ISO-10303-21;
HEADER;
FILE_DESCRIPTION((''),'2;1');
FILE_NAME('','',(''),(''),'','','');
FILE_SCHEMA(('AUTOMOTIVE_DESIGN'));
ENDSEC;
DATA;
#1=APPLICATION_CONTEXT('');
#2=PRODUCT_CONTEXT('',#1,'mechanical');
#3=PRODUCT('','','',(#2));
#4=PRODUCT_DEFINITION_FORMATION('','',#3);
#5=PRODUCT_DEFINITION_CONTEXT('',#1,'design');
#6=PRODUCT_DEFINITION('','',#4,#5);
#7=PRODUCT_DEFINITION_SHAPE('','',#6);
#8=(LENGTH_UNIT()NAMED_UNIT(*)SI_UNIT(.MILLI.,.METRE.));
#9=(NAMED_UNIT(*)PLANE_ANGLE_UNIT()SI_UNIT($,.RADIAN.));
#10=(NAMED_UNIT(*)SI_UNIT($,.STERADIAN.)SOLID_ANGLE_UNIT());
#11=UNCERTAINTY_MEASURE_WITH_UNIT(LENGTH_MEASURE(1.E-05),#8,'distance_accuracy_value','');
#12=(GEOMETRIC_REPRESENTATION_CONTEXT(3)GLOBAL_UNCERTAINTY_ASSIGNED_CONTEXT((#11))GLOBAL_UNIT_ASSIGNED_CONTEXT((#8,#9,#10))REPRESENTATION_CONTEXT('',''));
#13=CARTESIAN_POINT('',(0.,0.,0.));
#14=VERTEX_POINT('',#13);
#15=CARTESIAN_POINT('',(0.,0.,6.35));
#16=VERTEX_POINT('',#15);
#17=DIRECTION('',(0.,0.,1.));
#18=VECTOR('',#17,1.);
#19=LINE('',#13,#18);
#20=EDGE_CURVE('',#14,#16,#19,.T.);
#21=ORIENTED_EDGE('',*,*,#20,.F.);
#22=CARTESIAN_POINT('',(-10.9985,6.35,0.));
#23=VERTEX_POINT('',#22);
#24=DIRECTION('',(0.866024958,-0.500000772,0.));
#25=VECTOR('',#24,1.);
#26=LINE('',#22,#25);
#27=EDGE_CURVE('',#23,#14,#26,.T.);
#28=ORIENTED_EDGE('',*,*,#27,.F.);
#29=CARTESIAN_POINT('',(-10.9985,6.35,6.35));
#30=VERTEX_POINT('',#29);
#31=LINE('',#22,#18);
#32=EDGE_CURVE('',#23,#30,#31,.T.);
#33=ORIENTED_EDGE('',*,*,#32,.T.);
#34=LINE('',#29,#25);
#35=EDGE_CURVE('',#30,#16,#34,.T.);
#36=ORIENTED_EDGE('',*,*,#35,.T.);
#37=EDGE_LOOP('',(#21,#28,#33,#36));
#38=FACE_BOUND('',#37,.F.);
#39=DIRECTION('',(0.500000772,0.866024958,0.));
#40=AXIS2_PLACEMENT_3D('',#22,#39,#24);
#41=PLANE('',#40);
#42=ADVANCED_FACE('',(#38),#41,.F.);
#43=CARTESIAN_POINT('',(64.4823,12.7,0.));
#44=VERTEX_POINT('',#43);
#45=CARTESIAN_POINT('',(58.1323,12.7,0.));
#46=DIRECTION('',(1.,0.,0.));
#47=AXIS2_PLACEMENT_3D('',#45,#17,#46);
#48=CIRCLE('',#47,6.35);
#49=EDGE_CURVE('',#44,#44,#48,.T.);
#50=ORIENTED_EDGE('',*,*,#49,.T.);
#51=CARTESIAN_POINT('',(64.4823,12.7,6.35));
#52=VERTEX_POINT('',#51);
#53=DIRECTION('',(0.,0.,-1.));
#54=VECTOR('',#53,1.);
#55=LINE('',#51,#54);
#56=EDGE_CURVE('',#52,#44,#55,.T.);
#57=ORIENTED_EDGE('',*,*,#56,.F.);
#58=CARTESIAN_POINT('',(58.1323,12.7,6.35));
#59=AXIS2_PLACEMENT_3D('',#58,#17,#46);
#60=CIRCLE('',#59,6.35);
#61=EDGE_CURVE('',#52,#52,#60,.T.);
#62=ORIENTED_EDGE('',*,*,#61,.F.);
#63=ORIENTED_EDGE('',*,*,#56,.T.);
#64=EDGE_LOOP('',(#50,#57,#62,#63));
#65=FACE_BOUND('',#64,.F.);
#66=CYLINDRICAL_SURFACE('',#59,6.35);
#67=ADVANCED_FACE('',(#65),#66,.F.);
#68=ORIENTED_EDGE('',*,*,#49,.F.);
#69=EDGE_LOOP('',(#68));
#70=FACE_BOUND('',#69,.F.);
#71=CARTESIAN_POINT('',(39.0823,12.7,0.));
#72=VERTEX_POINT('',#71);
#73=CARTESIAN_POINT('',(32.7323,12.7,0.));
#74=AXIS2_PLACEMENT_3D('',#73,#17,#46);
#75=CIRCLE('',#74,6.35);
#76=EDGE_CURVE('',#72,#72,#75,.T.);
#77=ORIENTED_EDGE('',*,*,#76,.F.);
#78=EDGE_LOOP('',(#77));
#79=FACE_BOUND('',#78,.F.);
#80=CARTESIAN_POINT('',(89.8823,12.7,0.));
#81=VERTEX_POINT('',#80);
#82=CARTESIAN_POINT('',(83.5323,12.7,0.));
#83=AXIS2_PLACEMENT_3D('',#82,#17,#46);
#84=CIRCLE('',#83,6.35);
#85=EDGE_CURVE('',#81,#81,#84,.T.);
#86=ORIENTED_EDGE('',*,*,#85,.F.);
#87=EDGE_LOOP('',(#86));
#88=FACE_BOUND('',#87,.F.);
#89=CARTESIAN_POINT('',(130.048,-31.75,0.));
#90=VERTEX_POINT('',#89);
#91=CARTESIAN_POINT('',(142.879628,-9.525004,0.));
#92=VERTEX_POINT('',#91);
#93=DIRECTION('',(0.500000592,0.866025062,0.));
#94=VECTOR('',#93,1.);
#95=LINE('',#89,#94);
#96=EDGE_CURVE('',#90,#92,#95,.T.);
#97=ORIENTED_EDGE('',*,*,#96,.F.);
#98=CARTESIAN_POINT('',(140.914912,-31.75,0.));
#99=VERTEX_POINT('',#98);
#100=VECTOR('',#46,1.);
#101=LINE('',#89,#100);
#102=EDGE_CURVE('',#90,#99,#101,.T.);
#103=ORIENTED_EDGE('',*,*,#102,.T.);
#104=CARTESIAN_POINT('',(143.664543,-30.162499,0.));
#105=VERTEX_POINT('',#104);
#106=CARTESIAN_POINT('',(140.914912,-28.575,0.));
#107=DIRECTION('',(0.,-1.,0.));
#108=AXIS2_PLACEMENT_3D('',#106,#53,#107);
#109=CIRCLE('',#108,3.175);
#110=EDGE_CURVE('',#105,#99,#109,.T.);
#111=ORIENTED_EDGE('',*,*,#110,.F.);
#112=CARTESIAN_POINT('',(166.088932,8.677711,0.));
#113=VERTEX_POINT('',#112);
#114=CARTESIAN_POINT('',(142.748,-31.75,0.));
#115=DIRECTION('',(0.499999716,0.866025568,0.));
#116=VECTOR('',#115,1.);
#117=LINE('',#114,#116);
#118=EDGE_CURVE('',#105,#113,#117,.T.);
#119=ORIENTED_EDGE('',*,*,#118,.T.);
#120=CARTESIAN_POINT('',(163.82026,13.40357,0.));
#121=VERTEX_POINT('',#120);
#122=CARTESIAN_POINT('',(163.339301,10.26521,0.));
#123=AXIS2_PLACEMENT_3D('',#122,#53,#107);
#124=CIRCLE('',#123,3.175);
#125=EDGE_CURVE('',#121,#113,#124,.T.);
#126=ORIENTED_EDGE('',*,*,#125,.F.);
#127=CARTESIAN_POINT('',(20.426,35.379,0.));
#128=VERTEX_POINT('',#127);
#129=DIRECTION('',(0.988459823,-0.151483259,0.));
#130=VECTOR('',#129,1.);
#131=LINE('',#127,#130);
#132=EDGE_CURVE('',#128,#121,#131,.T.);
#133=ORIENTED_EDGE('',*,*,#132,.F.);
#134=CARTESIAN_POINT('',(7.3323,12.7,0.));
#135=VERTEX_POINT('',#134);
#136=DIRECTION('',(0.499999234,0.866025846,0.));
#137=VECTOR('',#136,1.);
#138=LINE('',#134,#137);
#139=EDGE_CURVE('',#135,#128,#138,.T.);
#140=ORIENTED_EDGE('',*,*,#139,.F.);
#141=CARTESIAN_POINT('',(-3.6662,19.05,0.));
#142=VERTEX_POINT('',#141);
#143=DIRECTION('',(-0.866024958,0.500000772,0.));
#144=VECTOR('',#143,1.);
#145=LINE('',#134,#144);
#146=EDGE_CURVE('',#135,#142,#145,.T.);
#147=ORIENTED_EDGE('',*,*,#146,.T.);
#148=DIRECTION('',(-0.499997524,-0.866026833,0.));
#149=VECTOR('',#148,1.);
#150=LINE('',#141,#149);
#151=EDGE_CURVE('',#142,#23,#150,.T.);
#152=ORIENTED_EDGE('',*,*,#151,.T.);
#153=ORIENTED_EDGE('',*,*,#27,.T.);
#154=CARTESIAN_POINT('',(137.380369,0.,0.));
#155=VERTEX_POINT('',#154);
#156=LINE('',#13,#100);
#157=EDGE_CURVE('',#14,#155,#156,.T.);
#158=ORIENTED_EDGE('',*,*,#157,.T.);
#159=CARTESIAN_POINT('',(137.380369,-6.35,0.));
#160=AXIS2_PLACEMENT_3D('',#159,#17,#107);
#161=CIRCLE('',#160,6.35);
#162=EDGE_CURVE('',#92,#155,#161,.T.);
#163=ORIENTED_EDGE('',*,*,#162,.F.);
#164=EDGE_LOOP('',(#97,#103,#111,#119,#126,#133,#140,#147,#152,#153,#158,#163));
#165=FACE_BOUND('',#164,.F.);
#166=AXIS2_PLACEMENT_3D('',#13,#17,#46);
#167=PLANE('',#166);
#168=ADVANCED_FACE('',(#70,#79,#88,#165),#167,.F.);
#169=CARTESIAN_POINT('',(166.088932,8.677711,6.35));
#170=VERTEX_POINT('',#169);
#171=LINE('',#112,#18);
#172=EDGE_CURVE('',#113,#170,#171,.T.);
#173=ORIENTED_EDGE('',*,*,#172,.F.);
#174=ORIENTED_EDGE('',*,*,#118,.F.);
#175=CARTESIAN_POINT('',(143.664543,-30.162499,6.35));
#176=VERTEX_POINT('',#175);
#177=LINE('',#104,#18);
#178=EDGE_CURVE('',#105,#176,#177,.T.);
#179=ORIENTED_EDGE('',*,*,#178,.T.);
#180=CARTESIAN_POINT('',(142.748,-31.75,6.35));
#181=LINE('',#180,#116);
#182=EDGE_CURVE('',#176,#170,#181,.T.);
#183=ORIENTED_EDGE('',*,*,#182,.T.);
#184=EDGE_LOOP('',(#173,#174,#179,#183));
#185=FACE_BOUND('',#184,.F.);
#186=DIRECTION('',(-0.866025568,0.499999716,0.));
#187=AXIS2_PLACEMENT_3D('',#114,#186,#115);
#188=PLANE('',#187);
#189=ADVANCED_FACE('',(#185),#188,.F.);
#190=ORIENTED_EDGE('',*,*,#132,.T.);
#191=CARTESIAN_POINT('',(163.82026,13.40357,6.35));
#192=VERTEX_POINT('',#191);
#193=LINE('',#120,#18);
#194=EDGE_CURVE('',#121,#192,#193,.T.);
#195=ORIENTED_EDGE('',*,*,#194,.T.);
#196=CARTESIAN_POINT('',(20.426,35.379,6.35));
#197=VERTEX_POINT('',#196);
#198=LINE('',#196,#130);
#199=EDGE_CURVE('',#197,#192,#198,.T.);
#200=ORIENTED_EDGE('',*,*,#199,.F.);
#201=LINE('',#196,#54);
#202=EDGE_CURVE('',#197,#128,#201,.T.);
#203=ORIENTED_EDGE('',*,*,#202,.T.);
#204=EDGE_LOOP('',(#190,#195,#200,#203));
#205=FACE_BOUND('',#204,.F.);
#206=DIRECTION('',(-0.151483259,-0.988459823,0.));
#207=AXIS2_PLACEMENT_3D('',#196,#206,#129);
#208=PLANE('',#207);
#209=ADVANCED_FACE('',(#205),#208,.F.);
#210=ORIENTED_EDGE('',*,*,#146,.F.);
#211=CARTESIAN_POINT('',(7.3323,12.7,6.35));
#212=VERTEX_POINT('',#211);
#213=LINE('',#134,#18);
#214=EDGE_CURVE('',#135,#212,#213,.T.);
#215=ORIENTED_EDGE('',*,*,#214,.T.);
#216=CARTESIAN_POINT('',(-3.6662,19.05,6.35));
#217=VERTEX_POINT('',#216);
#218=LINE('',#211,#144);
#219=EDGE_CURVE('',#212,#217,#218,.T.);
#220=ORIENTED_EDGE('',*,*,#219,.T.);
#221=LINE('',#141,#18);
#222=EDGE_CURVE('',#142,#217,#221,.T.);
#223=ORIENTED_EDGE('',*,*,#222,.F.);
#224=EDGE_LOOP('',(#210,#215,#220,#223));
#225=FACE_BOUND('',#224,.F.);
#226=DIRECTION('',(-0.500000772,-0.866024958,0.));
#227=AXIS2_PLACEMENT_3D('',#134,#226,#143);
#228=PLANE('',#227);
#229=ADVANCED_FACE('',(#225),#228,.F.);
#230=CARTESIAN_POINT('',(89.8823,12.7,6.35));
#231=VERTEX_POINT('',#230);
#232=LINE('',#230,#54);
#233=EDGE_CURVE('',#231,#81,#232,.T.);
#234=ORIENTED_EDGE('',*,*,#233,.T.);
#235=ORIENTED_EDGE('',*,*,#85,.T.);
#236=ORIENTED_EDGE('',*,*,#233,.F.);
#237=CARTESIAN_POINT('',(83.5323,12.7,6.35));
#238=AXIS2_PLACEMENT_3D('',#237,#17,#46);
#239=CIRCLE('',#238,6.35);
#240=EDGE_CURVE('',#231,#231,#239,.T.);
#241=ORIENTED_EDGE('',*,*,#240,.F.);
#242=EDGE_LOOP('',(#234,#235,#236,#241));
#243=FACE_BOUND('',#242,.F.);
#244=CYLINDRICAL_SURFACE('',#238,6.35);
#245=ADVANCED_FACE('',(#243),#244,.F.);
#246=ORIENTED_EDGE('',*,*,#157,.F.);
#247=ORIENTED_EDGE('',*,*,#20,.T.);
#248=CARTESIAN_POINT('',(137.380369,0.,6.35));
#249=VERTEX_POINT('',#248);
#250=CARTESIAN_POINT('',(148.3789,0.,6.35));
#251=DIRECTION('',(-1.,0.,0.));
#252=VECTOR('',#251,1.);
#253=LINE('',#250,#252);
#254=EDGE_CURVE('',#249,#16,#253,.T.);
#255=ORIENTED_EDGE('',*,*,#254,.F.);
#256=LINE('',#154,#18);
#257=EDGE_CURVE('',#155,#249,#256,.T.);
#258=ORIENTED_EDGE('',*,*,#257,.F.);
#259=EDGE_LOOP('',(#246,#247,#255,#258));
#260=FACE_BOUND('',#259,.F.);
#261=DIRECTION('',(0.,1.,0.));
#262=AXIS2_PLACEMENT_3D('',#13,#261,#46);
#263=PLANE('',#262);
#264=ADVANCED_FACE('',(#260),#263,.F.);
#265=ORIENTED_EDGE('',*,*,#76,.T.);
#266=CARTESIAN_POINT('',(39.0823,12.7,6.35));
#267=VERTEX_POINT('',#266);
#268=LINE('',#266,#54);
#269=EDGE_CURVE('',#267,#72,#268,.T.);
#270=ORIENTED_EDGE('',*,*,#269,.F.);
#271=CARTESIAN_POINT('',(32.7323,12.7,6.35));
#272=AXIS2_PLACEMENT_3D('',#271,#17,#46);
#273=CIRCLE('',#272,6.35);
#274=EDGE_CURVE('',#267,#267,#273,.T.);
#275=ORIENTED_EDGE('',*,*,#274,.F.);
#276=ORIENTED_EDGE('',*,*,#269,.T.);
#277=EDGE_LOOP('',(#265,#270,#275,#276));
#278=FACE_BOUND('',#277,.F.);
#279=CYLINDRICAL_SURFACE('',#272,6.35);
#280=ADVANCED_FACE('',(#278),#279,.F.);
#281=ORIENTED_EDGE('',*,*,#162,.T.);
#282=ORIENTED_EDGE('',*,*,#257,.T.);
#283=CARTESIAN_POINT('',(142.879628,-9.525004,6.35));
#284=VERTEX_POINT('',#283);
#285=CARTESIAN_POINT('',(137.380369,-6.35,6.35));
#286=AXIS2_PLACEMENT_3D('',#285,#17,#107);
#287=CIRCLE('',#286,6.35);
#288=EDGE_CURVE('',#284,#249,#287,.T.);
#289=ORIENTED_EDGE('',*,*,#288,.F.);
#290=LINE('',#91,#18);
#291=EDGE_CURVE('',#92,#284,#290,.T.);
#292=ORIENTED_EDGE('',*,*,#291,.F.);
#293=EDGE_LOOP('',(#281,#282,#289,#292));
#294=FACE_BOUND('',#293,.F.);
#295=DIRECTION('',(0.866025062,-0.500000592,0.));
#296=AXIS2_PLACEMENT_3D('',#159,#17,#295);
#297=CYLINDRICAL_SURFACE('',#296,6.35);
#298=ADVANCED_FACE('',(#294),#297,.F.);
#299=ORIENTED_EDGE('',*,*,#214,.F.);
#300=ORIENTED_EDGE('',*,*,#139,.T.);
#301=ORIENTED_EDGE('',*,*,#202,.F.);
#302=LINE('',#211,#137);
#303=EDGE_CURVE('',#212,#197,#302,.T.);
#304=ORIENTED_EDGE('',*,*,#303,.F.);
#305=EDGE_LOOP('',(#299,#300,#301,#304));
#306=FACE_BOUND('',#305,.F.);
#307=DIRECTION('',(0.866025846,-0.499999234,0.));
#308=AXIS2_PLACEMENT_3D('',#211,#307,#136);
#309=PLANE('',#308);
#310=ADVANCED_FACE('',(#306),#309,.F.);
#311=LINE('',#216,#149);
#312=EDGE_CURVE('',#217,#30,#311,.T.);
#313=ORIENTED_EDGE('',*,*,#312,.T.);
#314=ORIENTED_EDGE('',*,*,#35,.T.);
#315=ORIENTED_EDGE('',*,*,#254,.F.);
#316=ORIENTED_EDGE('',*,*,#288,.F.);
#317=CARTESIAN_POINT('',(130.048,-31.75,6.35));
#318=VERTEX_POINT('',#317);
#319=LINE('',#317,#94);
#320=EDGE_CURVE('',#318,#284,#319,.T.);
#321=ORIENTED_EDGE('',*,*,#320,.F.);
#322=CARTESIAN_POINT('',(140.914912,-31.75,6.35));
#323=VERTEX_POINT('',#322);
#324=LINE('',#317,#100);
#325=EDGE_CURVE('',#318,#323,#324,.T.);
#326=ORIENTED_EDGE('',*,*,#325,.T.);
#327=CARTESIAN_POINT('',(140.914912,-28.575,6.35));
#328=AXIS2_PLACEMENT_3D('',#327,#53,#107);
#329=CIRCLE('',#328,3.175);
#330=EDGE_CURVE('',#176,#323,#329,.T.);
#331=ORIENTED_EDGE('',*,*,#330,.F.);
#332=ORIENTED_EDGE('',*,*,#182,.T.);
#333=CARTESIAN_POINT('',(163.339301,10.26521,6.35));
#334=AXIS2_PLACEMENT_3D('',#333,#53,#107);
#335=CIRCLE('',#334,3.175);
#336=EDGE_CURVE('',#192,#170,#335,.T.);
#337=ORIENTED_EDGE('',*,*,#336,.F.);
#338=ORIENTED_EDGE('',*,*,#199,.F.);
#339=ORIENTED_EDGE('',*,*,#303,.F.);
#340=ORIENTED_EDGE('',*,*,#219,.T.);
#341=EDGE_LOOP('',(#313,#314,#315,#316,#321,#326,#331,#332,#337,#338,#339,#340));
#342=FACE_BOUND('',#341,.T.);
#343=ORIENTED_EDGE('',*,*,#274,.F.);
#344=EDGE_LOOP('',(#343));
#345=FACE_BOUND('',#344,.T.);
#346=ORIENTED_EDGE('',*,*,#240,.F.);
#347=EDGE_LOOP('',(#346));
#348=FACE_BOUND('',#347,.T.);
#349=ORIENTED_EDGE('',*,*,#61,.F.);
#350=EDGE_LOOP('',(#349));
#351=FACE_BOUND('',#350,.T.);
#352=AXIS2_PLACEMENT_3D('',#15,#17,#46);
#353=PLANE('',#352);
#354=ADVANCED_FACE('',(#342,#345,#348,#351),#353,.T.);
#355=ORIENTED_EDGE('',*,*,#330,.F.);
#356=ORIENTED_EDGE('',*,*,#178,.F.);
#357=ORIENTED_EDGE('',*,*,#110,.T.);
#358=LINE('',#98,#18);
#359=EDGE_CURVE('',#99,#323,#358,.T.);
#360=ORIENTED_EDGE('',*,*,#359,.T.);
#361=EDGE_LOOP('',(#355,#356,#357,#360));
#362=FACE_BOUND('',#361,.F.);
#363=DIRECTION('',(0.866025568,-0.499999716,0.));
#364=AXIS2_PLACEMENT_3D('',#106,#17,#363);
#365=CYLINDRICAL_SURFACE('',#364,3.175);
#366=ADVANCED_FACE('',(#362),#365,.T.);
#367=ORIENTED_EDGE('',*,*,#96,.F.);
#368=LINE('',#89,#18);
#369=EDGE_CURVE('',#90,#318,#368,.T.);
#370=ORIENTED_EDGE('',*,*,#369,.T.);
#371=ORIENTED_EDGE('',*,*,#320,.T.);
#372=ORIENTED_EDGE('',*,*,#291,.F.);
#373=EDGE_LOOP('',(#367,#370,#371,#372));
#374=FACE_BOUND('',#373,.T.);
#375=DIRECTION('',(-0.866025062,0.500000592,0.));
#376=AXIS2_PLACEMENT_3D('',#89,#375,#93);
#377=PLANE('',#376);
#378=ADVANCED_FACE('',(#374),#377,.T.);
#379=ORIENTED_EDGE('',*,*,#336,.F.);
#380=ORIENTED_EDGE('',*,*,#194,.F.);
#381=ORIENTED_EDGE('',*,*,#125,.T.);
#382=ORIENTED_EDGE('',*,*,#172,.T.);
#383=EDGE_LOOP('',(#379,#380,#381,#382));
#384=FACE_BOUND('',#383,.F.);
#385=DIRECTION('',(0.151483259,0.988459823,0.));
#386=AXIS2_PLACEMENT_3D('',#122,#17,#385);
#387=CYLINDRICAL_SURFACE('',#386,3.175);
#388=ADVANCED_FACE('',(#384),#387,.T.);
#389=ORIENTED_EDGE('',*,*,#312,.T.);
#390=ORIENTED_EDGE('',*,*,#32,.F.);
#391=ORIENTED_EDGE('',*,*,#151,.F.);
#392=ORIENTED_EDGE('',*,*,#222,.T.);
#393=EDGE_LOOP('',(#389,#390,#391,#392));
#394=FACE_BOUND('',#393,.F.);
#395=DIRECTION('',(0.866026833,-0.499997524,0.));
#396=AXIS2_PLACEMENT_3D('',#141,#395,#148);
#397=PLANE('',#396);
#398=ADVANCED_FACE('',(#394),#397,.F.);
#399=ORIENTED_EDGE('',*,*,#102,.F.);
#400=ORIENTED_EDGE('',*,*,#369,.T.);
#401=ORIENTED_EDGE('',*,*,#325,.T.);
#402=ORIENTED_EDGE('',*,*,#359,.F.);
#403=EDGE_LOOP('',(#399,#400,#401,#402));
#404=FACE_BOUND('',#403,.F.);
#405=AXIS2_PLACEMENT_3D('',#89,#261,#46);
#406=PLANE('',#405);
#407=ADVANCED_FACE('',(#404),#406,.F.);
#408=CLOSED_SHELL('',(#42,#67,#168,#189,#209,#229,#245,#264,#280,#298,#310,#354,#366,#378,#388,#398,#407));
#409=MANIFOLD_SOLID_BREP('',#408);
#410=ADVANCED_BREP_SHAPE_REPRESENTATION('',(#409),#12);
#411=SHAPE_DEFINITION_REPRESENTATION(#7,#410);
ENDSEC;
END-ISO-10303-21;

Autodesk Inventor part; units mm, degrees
ref_plane "YZ Plane" through (0, 0, 0) normal (1, 0, 0) x (0, 1, 0)
ref_plane "XZ Plane" through (0, 0, 0) normal (0, 1, 0) x (-1, 0, 0)
ref_plane "XY Plane" through (0, 0, 0) normal (0, 0, 1) x (1, 0, 0)
sketch "Sketch1" plane through (0, 0, 0) normal (0, 0, 1) x (1, 0, 0)
  line L0 (0, 0) -> (130.048, 0)
  line L1 (87.9024, 12.7) -> (7.3323, 12.7)
  line L2 (87.9024, 12.7) -> (130.048, 12.7)
  line L3 (130.048, 12.7) -> (130.048, 0)
  line L4 (130.048, -31.75) -> (142.748, -31.75)
  line L5 (130.048, -31.75) -> (148.3789, 0)
  line L6 (142.748, -31.75) -> (168.4112, 12.7)
  line L7 (148.3789, 0) -> (130.048, 0)
  line L8 (130.048, 12.7) -> (168.4112, 12.7)
  line L9 (7.3323, 12.7) -> (-3.6662, 19.05)
  line L10 (-3.6662, 19.05) -> (-10.9985, 6.35)
  line L11 (-10.9985, 6.35) -> (0, 0)
  dimension "d4" = 130.048
  dimension "d7" = 31.75
  dimension "d8" = 12.7
  dimension "d9" = 60
  dimension "d10" = 60
  dimension "d11" = 12.7
  dimension "d14" = 12.7
  dimension "d15" = 10.9985
  dimension "d16" = 14.6647
  dimension "d17" = 150
  dimension "d18" = 150
extrude "Extrusion1" add sketch "Sketch1" along normal blind 6.35
sketch "Sketch2" plane through (0, 0, 6.35) normal (0, 0, 1) x (1, 0, 0)
  line L0 (168.4112, 12.7) -> (7.3323, 12.7) projected
  line L1 (-10.9985, 6.35) -> (0, 0) projected
  line L2 (7.3323, 12.7) -> (20.426, 35.379)
  line L3 (20.426, 35.379) -> (168.4112, 12.7)
  dimension "d19" = 26.1874
extrude "Extrusion2" add sketch "Sketch2" against normal blind 6.35
fillet "Fillet1" radius 3.175 1 edges at (168.4112, 12.7, 3.175)
fillet "Fillet2" radius 3.175 1 edges at (142.748, -31.75, 3.175)
sketch "Sketch3" plane through (0, 0, 6.35) normal (0, 0, 1) x (1, 0, 0)
  circle A0 centre (32.7323, 12.7) radius 6.35
  circle A1 centre (58.1323, 12.7) radius 6.35
  circle A2 centre (83.5323, 12.7) radius 6.35
  dimension "d26" = 12.7
  dimension "d28" = 12.7
  dimension "d30" = 12.7
extrude "Extrusion3" cut sketch "Sketch3" against normal blind 6.35
fillet "Fillet4" radius 6.35 1 edges at (148.3789, 0, 3.175)
properties part number "hook" material "Steel"
